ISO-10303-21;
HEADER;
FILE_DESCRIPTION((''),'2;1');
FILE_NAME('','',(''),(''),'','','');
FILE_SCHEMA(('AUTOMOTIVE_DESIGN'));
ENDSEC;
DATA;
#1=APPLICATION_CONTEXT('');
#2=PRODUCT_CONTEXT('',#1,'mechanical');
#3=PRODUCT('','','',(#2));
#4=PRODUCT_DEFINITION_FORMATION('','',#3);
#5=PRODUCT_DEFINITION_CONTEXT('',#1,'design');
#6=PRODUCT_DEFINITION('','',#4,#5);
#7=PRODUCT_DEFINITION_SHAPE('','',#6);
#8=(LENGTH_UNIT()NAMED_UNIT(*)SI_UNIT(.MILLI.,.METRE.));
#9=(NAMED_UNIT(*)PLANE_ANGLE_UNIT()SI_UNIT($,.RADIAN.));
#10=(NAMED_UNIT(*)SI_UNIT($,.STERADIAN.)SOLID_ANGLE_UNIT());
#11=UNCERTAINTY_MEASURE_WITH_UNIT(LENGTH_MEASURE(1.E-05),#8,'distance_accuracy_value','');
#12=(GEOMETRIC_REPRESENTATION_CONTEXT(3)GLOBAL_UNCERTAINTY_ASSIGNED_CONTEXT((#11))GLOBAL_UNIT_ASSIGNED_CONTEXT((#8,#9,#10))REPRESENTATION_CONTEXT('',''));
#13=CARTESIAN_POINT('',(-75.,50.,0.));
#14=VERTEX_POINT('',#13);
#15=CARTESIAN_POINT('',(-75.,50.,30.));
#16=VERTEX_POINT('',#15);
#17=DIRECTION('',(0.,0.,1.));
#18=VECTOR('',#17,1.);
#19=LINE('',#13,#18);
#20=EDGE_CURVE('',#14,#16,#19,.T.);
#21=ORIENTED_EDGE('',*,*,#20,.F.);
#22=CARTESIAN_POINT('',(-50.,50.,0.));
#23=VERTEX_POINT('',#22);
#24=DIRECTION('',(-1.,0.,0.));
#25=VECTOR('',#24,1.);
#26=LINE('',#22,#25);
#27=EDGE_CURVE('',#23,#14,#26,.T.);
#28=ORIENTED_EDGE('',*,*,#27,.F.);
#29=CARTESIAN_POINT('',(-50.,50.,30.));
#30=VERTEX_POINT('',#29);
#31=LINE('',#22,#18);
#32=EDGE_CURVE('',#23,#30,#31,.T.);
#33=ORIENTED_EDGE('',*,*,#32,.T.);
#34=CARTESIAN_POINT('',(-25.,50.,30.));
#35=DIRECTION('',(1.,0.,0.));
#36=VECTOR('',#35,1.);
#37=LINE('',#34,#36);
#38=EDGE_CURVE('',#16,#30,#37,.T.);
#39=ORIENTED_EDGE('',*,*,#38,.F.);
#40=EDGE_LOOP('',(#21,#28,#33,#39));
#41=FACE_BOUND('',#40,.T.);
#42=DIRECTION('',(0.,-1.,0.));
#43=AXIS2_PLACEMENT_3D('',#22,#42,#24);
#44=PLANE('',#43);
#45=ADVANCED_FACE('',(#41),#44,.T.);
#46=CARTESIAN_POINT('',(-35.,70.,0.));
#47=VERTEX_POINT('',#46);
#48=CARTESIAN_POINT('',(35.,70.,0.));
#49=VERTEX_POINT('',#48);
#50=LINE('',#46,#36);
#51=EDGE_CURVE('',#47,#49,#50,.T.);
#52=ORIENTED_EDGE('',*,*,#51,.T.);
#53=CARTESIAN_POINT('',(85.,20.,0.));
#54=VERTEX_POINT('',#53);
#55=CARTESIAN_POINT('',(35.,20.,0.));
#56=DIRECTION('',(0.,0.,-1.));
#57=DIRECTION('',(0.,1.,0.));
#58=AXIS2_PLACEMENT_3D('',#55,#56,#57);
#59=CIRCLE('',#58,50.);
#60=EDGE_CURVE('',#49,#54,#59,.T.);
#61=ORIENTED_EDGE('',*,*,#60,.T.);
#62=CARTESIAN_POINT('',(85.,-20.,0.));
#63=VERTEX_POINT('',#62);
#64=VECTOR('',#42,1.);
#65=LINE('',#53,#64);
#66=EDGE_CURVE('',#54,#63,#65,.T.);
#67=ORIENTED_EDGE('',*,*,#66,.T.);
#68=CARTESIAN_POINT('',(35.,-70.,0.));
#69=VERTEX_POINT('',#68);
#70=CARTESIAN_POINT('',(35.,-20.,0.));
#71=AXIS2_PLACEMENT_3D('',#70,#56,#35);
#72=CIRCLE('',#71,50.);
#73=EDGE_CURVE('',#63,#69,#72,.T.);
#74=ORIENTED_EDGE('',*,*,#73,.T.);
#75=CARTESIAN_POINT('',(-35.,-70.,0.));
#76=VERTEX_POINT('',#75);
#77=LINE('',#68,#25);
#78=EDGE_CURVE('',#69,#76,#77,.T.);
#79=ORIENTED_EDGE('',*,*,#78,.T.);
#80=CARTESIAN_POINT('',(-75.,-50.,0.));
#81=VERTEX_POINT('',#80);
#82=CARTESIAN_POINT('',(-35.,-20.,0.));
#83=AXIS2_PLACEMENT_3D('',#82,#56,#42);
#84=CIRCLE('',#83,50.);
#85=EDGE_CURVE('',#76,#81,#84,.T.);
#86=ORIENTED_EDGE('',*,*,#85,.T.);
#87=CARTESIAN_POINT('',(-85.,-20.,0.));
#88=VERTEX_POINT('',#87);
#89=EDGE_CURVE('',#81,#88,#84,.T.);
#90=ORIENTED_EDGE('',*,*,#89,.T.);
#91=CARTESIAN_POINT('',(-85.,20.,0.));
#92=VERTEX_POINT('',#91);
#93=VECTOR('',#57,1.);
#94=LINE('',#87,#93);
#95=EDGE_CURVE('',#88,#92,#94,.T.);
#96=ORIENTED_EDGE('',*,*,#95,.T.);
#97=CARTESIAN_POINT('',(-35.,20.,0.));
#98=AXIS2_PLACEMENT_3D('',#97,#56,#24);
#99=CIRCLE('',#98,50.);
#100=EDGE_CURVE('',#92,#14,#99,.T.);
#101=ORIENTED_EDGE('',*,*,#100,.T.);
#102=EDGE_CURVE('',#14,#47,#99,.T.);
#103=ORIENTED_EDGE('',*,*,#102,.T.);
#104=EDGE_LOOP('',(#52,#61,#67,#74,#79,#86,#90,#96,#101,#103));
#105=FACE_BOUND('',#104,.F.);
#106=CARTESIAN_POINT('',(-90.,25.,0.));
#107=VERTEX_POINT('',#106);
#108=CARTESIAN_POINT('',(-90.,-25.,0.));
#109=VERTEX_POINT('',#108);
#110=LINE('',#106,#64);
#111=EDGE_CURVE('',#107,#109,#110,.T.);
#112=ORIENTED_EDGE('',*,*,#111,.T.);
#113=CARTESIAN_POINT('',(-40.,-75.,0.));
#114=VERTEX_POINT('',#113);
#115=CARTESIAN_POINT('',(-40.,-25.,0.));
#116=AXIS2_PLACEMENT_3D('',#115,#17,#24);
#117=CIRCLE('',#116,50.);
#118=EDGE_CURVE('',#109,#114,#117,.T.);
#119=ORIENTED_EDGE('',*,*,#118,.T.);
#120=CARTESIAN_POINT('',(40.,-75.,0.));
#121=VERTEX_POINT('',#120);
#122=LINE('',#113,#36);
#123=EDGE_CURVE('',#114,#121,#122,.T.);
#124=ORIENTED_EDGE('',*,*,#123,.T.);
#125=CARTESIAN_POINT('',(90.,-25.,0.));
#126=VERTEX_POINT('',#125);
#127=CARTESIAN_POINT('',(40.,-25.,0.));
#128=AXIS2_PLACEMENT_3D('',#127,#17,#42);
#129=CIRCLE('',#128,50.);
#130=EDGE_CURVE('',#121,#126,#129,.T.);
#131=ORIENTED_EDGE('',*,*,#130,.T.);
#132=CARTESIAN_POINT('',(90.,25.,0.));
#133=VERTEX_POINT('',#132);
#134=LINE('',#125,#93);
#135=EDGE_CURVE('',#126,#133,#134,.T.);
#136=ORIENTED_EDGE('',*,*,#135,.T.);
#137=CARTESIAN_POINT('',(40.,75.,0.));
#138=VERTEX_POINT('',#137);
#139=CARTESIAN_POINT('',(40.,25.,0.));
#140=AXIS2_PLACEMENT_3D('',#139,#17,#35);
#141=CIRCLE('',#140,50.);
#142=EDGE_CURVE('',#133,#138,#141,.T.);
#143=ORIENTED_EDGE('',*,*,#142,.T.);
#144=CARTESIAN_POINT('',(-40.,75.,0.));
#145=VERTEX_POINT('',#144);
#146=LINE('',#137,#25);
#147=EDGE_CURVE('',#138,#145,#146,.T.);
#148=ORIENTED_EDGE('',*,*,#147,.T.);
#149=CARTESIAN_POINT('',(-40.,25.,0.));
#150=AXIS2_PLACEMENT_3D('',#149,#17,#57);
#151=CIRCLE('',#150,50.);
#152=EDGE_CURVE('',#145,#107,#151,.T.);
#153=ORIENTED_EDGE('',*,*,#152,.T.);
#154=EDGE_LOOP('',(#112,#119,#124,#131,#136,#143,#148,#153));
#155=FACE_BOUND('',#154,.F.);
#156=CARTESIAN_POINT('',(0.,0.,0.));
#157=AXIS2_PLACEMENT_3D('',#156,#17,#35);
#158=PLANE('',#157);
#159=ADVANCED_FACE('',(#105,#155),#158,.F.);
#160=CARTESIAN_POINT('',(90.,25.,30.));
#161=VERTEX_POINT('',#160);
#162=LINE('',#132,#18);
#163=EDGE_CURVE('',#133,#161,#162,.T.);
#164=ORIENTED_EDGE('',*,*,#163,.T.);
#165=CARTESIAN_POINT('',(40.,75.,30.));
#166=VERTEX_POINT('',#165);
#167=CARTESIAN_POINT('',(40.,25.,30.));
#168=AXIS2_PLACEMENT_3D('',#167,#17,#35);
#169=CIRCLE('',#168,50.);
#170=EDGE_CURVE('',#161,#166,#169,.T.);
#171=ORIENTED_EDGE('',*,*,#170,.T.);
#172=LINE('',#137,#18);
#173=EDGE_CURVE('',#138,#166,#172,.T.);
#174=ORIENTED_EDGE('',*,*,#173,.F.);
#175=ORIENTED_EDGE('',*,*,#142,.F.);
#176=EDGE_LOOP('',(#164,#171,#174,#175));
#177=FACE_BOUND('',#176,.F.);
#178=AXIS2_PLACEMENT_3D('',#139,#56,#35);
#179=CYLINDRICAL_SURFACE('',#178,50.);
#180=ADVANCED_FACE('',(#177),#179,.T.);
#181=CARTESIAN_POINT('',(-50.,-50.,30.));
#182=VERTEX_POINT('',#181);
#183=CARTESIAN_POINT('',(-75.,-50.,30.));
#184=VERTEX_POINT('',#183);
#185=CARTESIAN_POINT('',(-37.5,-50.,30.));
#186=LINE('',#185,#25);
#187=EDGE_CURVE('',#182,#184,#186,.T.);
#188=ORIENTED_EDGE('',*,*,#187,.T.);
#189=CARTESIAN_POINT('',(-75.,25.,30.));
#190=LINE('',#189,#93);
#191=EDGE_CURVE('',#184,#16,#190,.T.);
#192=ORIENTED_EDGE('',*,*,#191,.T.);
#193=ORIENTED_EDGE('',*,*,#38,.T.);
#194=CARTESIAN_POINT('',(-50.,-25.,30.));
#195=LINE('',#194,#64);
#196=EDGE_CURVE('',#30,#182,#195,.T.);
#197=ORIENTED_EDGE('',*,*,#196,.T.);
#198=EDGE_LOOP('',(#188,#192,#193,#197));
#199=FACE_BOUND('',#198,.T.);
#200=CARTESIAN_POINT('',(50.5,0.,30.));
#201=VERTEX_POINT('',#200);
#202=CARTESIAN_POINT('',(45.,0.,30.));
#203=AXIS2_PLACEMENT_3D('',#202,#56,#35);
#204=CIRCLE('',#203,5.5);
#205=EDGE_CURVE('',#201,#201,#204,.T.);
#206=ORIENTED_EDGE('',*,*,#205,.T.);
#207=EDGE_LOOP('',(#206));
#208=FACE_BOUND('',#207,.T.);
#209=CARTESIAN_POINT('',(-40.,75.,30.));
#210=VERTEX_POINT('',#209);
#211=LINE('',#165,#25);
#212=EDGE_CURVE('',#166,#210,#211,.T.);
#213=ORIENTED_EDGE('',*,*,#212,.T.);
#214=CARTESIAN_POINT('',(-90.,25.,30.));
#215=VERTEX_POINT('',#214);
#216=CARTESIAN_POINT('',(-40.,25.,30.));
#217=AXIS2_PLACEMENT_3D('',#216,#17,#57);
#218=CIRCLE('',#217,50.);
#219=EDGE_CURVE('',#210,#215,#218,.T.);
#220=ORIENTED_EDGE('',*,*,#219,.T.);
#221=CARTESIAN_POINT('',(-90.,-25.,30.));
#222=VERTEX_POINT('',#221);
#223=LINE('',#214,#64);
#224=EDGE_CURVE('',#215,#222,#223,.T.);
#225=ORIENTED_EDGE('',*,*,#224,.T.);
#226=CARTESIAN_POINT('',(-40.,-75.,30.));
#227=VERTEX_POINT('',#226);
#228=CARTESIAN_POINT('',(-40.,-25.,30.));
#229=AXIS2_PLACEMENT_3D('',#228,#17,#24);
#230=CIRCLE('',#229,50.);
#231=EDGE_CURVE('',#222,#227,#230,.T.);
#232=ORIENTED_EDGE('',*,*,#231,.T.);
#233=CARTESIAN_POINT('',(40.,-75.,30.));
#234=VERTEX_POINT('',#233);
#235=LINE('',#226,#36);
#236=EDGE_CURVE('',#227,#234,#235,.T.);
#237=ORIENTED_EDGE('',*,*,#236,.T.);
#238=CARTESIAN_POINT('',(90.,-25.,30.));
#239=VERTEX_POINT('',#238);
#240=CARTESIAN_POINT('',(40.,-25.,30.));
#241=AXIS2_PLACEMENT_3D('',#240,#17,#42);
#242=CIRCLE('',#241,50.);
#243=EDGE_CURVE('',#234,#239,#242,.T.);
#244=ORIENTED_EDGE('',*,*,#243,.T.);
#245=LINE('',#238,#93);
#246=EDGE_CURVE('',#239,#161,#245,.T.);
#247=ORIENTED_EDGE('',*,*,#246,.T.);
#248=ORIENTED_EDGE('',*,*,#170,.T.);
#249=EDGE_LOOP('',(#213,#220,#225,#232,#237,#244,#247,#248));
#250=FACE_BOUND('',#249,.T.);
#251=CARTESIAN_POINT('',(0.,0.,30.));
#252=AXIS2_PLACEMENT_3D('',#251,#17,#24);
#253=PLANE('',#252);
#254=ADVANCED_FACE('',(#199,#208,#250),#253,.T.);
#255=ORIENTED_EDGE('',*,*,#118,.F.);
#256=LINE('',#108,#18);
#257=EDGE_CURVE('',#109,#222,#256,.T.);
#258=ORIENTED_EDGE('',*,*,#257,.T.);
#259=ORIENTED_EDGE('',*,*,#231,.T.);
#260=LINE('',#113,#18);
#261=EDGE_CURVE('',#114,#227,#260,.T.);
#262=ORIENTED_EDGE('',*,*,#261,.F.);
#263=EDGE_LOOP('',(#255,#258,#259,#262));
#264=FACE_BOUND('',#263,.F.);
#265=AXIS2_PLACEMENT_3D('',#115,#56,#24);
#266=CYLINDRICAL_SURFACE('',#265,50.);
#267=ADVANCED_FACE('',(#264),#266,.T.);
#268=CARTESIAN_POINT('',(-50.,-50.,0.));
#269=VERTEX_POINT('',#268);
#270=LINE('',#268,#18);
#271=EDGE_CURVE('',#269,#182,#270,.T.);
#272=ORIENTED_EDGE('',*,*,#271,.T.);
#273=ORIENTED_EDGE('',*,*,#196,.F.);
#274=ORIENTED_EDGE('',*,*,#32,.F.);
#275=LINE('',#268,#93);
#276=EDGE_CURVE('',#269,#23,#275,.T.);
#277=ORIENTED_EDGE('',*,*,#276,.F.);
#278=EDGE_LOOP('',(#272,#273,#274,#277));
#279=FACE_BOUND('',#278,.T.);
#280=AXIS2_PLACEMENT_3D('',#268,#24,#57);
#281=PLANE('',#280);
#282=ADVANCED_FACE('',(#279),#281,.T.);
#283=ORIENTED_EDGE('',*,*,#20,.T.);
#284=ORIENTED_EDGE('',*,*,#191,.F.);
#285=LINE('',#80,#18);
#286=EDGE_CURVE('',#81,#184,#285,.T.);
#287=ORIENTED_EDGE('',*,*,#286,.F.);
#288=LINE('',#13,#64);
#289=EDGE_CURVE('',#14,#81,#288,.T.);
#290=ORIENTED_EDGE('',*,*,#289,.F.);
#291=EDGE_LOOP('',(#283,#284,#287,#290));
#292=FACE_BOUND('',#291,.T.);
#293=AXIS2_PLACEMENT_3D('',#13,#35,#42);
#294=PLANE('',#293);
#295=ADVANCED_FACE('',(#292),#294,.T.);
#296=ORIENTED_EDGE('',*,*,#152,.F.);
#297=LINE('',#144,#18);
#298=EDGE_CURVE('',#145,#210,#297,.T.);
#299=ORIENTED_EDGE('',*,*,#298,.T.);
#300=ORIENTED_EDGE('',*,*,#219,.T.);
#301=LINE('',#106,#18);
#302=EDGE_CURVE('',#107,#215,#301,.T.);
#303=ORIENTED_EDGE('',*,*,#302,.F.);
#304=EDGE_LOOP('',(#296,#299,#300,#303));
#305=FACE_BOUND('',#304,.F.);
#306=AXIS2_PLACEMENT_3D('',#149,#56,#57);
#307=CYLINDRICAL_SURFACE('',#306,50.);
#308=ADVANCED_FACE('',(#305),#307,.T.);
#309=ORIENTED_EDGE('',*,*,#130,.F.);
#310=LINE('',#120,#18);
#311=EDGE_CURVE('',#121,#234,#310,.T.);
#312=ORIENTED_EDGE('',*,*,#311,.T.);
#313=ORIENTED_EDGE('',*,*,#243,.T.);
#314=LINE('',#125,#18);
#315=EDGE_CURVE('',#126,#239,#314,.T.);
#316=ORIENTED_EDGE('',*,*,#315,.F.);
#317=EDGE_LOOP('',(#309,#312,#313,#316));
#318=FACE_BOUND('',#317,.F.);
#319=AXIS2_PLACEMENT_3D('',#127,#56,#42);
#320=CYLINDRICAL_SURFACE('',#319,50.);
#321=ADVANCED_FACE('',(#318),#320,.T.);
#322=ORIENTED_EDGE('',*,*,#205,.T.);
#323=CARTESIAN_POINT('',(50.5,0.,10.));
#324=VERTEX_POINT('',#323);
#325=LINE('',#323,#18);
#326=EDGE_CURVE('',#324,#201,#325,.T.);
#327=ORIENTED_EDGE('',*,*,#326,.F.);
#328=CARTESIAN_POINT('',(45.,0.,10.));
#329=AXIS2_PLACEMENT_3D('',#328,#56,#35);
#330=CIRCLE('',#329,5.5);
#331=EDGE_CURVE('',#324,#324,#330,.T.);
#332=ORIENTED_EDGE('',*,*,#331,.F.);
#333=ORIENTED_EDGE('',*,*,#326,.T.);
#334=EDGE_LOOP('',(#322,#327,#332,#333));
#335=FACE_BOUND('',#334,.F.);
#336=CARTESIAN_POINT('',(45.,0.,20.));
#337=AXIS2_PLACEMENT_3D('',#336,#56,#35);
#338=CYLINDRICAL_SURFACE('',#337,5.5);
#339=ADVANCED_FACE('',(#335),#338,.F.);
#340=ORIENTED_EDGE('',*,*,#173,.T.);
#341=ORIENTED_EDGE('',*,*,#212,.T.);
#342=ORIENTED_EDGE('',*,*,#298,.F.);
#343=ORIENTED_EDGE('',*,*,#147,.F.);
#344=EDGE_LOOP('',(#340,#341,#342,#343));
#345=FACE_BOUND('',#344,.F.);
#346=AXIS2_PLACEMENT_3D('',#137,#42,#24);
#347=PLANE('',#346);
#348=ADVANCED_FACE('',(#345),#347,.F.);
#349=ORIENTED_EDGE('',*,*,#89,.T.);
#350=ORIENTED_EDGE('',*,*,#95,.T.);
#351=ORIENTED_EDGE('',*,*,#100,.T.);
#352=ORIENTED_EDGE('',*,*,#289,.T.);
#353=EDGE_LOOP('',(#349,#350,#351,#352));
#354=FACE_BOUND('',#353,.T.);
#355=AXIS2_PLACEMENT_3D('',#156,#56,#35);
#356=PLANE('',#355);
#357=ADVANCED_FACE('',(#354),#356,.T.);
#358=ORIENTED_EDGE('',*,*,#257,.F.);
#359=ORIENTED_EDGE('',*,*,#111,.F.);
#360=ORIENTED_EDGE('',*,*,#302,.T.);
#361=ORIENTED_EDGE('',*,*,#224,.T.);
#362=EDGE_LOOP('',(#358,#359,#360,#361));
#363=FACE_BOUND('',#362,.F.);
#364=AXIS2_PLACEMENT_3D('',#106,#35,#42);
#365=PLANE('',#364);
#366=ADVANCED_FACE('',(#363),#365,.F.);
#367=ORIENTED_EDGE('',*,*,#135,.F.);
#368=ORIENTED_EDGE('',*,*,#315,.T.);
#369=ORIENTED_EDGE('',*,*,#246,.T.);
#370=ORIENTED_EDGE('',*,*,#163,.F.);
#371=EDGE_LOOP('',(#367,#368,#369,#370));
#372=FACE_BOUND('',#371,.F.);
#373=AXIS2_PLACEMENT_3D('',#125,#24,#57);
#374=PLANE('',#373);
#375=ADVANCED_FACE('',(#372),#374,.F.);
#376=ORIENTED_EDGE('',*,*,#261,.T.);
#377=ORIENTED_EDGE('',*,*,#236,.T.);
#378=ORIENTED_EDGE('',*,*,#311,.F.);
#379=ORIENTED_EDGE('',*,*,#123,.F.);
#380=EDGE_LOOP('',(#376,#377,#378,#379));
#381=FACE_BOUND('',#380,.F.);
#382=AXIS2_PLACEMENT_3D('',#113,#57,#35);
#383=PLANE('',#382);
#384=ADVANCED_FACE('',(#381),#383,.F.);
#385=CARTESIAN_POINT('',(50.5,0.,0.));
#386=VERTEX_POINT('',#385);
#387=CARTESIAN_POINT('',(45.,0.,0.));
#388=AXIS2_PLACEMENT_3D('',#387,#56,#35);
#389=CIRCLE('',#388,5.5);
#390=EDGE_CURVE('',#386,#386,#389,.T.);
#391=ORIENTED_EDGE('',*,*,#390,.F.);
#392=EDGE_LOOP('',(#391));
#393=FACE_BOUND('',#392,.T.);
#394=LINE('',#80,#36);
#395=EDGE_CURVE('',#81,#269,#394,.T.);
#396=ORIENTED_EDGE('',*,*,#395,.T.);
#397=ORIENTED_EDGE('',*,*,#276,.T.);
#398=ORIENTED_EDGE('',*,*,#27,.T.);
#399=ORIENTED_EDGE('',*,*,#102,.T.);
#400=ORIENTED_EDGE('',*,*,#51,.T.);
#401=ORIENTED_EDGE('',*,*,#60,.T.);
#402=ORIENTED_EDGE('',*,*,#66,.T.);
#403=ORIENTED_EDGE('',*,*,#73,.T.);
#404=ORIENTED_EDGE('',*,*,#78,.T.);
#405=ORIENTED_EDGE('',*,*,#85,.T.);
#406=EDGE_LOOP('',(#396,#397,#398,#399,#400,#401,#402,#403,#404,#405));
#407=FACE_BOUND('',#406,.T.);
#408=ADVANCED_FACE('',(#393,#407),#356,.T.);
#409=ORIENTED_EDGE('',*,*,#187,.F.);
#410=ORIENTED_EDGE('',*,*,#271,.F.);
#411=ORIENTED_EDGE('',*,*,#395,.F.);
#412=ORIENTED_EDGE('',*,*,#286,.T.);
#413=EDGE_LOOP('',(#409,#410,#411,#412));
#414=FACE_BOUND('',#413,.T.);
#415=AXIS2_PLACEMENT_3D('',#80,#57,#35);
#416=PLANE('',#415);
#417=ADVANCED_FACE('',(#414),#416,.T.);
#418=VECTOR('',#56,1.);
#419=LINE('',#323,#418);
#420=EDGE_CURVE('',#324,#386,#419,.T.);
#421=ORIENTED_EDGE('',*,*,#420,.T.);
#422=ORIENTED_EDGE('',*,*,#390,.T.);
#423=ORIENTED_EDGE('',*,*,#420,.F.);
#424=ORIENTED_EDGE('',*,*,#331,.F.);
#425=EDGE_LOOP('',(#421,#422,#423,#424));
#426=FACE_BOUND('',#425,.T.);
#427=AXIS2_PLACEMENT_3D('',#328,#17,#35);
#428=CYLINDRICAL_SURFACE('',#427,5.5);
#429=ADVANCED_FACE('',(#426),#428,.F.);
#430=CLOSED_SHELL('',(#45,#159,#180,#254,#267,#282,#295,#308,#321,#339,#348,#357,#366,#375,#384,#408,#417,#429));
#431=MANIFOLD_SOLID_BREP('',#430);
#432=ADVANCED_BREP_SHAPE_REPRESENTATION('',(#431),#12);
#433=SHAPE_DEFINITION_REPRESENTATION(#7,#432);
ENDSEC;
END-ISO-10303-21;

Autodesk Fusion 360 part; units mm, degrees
sketch "Sketch1" plane through (0, 0, 0) normal (0, 0, 1) x (1, 0, 0)
  line L0 (-40, -75) -> (40, -75)
  line L1 (90, -25) -> (90, 25)
  line L2 (40, 75) -> (-40, 75)
  line L3 (-90, 25) -> (-90, -25)
  line L4 (-90, -75) -> (90, 75) construction
  line L5 (90, -75) -> (-90, 75) construction
  arc A0 (40, -75) -> (90, -25) centre (40, -25) ccw
  arc A1 (90, 25) -> (40, 75) centre (40, 25) ccw
  arc A2 (-90, -25) -> (-40, -75) centre (-40, -25) ccw
  arc A3 (-40, 75) -> (-90, 25) centre (-40, 25) ccw
extrude "Extrude1" add sketch "Sketch1" along normal blind 30
sketch "Sketch2" plane through (0, 0, 30) normal (0, 0, 1) x (-1, 0, 0)
  arc A0 (40, -75) -> (90, -25) centre (40, -25) ccw
  line L0 (90, -25) -> (90, 25)
  arc A1 (90, 25) -> (40, 75) centre (40, 25) ccw
  line L1 (40, 75) -> (-40, 75)
  arc A2 (-40, 75) -> (-90, 25) centre (-40, 25) ccw
  line L2 (-90, 25) -> (-90, -25)
  arc A3 (-90, -25) -> (-40, -75) centre (-40, -25) ccw
  line L3 (-40, -75) -> (40, -75)
  line L4 (35, 70) -> (-35, 70)
  line L5 (-85, 20) -> (-85, -20)
  line L6 (-35, -70) -> (35, -70)
  line L7 (85, -20) -> (85, 20)
  line L8 (85, 70) -> (-85, -70) construction
  line L9 (-85, 70) -> (85, -70) construction
  arc A4 (-35, 70) -> (-85, 20) centre (-35, 20) ccw
  arc A5 (-85, -20) -> (-35, -70) centre (-35, -20) ccw
  arc A6 (85, 20) -> (35, 70) centre (35, 20) ccw
  arc A7 (35, -70) -> (85, -20) centre (35, -20) ccw
  dimension "d9" = 140
  dimension "d10" = 170
  dimension "d11" = 50
  dimension "d12" = 50
  dimension "d13" = 50
  dimension "d14" = 50
extrude "Extrude2" cut sketch "Sketch2" against normal blind 10 contours L4 L5 L6 L7 A4 A5 A6 A7
sketch "Sketch3" plane through (0, 0, 0) normal (0, 0, -1) x (1, 0, 0)
  arc A0 (-90, -25) -> (-40, -75) centre (-40, -25) ccw
  line L0 (-40, -75) -> (40, -75)
  arc A1 (40, -75) -> (90, -25) centre (40, -25) ccw
  line L1 (90, -25) -> (90, 25)
  arc A2 (90, 25) -> (40, 75) centre (40, 25) ccw
  line L2 (40, 75) -> (-40, 75)
  arc A3 (-40, 75) -> (-90, 25) centre (-40, 25) ccw
  line L3 (-90, 25) -> (-90, -25)
  line L4 (-35, -70) -> (35, -70)
  line L5 (85, -20) -> (85, 20)
  line L6 (35, 70) -> (-35, 70)
  line L7 (-85, 20) -> (-85, -20)
  line L8 (-85, -70) -> (85, 70) construction
  line L9 (85, -70) -> (-85, 70) construction
  arc A4 (35, -70) -> (85, -20) centre (35, -20) ccw
  arc A5 (85, 20) -> (35, 70) centre (35, 20) ccw
  arc A6 (-85, -20) -> (-35, -70) centre (-35, -20) ccw
  arc A7 (-35, 70) -> (-85, 20) centre (-35, 20) ccw
  dimension "d17" = 140
  dimension "d18" = 170
  dimension "d19" = 50
  dimension "d20" = 50
  dimension "d21" = 50
  dimension "d22" = 50
extrude "Extrude3" cut sketch "Sketch3" against normal blind 10 contours L4 L5 L6 L7 A4 A5 A6 A7
sketch "Sketch4" plane through (0, 0, 10) normal (0, 0, -1) x (1, 0, 0)
  arc A0 (-35, 70) -> (-85, 20) centre (-35, 20) ccw
  line L0 (-85, 20) -> (-85, -20)
  arc A1 (-85, -20) -> (-35, -70) centre (-35, -20) ccw
  line L1 (-35, -70) -> (35, -70)
  arc A2 (35, -70) -> (85, -20) centre (35, -20) ccw
  line L2 (85, -20) -> (85, 20)
  arc A3 (85, 20) -> (35, 70) centre (35, 20) ccw
  line L3 (35, 70) -> (-35, 70)
  line L4 (90, 0) -> (45, 0)
  circle A4 centre (45, 0) radius 5.5
  dimension "d25" = 45
  dimension "d26" = 11
extrude "Extrude4" cut sketch "Sketch4" against normal blind 10 contours A4
extrude "Extrude5" add 1 faces at (-26.8129, 30.2732, 20) along direction (0, 0, 1) blind 10
extrude "Extrude6" add 1 faces at (-26.8129, 30.2732, 10) along direction (0, 0, -1) blind 10
sketch "Sketch5" plane through (0, 0, 0) normal (0, 0, -1) x (1, 0, 0)
  circle A0 centre (45, 0) radius 5.5
  arc A1 (-90, -25) -> (-40, -75) centre (-40, -25) ccw
  line L0 (-40, -75) -> (40, -75)
  arc A2 (40, -75) -> (90, -25) centre (40, -25) ccw
  line L1 (90, -25) -> (90, 25)
  arc A3 (90, 25) -> (40, 75) centre (40, 25) ccw
  line L2 (40, 75) -> (-40, 75)
  arc A4 (-40, 75) -> (-90, 25) centre (-40, 25) ccw
  line L3 (-90, 25) -> (-90, -25)
  line L4 (-75, 50) -> (-50, 50)
  line L5 (-50, 50) -> (-50, -50)
  line L6 (-50, -50) -> (-75, -50)
  line L7 (-75, -50) -> (-75, 50)
extrude "Extrude7" cut sketch "Sketch5" against normal blind 65 contours L4 L5 L6 L7
